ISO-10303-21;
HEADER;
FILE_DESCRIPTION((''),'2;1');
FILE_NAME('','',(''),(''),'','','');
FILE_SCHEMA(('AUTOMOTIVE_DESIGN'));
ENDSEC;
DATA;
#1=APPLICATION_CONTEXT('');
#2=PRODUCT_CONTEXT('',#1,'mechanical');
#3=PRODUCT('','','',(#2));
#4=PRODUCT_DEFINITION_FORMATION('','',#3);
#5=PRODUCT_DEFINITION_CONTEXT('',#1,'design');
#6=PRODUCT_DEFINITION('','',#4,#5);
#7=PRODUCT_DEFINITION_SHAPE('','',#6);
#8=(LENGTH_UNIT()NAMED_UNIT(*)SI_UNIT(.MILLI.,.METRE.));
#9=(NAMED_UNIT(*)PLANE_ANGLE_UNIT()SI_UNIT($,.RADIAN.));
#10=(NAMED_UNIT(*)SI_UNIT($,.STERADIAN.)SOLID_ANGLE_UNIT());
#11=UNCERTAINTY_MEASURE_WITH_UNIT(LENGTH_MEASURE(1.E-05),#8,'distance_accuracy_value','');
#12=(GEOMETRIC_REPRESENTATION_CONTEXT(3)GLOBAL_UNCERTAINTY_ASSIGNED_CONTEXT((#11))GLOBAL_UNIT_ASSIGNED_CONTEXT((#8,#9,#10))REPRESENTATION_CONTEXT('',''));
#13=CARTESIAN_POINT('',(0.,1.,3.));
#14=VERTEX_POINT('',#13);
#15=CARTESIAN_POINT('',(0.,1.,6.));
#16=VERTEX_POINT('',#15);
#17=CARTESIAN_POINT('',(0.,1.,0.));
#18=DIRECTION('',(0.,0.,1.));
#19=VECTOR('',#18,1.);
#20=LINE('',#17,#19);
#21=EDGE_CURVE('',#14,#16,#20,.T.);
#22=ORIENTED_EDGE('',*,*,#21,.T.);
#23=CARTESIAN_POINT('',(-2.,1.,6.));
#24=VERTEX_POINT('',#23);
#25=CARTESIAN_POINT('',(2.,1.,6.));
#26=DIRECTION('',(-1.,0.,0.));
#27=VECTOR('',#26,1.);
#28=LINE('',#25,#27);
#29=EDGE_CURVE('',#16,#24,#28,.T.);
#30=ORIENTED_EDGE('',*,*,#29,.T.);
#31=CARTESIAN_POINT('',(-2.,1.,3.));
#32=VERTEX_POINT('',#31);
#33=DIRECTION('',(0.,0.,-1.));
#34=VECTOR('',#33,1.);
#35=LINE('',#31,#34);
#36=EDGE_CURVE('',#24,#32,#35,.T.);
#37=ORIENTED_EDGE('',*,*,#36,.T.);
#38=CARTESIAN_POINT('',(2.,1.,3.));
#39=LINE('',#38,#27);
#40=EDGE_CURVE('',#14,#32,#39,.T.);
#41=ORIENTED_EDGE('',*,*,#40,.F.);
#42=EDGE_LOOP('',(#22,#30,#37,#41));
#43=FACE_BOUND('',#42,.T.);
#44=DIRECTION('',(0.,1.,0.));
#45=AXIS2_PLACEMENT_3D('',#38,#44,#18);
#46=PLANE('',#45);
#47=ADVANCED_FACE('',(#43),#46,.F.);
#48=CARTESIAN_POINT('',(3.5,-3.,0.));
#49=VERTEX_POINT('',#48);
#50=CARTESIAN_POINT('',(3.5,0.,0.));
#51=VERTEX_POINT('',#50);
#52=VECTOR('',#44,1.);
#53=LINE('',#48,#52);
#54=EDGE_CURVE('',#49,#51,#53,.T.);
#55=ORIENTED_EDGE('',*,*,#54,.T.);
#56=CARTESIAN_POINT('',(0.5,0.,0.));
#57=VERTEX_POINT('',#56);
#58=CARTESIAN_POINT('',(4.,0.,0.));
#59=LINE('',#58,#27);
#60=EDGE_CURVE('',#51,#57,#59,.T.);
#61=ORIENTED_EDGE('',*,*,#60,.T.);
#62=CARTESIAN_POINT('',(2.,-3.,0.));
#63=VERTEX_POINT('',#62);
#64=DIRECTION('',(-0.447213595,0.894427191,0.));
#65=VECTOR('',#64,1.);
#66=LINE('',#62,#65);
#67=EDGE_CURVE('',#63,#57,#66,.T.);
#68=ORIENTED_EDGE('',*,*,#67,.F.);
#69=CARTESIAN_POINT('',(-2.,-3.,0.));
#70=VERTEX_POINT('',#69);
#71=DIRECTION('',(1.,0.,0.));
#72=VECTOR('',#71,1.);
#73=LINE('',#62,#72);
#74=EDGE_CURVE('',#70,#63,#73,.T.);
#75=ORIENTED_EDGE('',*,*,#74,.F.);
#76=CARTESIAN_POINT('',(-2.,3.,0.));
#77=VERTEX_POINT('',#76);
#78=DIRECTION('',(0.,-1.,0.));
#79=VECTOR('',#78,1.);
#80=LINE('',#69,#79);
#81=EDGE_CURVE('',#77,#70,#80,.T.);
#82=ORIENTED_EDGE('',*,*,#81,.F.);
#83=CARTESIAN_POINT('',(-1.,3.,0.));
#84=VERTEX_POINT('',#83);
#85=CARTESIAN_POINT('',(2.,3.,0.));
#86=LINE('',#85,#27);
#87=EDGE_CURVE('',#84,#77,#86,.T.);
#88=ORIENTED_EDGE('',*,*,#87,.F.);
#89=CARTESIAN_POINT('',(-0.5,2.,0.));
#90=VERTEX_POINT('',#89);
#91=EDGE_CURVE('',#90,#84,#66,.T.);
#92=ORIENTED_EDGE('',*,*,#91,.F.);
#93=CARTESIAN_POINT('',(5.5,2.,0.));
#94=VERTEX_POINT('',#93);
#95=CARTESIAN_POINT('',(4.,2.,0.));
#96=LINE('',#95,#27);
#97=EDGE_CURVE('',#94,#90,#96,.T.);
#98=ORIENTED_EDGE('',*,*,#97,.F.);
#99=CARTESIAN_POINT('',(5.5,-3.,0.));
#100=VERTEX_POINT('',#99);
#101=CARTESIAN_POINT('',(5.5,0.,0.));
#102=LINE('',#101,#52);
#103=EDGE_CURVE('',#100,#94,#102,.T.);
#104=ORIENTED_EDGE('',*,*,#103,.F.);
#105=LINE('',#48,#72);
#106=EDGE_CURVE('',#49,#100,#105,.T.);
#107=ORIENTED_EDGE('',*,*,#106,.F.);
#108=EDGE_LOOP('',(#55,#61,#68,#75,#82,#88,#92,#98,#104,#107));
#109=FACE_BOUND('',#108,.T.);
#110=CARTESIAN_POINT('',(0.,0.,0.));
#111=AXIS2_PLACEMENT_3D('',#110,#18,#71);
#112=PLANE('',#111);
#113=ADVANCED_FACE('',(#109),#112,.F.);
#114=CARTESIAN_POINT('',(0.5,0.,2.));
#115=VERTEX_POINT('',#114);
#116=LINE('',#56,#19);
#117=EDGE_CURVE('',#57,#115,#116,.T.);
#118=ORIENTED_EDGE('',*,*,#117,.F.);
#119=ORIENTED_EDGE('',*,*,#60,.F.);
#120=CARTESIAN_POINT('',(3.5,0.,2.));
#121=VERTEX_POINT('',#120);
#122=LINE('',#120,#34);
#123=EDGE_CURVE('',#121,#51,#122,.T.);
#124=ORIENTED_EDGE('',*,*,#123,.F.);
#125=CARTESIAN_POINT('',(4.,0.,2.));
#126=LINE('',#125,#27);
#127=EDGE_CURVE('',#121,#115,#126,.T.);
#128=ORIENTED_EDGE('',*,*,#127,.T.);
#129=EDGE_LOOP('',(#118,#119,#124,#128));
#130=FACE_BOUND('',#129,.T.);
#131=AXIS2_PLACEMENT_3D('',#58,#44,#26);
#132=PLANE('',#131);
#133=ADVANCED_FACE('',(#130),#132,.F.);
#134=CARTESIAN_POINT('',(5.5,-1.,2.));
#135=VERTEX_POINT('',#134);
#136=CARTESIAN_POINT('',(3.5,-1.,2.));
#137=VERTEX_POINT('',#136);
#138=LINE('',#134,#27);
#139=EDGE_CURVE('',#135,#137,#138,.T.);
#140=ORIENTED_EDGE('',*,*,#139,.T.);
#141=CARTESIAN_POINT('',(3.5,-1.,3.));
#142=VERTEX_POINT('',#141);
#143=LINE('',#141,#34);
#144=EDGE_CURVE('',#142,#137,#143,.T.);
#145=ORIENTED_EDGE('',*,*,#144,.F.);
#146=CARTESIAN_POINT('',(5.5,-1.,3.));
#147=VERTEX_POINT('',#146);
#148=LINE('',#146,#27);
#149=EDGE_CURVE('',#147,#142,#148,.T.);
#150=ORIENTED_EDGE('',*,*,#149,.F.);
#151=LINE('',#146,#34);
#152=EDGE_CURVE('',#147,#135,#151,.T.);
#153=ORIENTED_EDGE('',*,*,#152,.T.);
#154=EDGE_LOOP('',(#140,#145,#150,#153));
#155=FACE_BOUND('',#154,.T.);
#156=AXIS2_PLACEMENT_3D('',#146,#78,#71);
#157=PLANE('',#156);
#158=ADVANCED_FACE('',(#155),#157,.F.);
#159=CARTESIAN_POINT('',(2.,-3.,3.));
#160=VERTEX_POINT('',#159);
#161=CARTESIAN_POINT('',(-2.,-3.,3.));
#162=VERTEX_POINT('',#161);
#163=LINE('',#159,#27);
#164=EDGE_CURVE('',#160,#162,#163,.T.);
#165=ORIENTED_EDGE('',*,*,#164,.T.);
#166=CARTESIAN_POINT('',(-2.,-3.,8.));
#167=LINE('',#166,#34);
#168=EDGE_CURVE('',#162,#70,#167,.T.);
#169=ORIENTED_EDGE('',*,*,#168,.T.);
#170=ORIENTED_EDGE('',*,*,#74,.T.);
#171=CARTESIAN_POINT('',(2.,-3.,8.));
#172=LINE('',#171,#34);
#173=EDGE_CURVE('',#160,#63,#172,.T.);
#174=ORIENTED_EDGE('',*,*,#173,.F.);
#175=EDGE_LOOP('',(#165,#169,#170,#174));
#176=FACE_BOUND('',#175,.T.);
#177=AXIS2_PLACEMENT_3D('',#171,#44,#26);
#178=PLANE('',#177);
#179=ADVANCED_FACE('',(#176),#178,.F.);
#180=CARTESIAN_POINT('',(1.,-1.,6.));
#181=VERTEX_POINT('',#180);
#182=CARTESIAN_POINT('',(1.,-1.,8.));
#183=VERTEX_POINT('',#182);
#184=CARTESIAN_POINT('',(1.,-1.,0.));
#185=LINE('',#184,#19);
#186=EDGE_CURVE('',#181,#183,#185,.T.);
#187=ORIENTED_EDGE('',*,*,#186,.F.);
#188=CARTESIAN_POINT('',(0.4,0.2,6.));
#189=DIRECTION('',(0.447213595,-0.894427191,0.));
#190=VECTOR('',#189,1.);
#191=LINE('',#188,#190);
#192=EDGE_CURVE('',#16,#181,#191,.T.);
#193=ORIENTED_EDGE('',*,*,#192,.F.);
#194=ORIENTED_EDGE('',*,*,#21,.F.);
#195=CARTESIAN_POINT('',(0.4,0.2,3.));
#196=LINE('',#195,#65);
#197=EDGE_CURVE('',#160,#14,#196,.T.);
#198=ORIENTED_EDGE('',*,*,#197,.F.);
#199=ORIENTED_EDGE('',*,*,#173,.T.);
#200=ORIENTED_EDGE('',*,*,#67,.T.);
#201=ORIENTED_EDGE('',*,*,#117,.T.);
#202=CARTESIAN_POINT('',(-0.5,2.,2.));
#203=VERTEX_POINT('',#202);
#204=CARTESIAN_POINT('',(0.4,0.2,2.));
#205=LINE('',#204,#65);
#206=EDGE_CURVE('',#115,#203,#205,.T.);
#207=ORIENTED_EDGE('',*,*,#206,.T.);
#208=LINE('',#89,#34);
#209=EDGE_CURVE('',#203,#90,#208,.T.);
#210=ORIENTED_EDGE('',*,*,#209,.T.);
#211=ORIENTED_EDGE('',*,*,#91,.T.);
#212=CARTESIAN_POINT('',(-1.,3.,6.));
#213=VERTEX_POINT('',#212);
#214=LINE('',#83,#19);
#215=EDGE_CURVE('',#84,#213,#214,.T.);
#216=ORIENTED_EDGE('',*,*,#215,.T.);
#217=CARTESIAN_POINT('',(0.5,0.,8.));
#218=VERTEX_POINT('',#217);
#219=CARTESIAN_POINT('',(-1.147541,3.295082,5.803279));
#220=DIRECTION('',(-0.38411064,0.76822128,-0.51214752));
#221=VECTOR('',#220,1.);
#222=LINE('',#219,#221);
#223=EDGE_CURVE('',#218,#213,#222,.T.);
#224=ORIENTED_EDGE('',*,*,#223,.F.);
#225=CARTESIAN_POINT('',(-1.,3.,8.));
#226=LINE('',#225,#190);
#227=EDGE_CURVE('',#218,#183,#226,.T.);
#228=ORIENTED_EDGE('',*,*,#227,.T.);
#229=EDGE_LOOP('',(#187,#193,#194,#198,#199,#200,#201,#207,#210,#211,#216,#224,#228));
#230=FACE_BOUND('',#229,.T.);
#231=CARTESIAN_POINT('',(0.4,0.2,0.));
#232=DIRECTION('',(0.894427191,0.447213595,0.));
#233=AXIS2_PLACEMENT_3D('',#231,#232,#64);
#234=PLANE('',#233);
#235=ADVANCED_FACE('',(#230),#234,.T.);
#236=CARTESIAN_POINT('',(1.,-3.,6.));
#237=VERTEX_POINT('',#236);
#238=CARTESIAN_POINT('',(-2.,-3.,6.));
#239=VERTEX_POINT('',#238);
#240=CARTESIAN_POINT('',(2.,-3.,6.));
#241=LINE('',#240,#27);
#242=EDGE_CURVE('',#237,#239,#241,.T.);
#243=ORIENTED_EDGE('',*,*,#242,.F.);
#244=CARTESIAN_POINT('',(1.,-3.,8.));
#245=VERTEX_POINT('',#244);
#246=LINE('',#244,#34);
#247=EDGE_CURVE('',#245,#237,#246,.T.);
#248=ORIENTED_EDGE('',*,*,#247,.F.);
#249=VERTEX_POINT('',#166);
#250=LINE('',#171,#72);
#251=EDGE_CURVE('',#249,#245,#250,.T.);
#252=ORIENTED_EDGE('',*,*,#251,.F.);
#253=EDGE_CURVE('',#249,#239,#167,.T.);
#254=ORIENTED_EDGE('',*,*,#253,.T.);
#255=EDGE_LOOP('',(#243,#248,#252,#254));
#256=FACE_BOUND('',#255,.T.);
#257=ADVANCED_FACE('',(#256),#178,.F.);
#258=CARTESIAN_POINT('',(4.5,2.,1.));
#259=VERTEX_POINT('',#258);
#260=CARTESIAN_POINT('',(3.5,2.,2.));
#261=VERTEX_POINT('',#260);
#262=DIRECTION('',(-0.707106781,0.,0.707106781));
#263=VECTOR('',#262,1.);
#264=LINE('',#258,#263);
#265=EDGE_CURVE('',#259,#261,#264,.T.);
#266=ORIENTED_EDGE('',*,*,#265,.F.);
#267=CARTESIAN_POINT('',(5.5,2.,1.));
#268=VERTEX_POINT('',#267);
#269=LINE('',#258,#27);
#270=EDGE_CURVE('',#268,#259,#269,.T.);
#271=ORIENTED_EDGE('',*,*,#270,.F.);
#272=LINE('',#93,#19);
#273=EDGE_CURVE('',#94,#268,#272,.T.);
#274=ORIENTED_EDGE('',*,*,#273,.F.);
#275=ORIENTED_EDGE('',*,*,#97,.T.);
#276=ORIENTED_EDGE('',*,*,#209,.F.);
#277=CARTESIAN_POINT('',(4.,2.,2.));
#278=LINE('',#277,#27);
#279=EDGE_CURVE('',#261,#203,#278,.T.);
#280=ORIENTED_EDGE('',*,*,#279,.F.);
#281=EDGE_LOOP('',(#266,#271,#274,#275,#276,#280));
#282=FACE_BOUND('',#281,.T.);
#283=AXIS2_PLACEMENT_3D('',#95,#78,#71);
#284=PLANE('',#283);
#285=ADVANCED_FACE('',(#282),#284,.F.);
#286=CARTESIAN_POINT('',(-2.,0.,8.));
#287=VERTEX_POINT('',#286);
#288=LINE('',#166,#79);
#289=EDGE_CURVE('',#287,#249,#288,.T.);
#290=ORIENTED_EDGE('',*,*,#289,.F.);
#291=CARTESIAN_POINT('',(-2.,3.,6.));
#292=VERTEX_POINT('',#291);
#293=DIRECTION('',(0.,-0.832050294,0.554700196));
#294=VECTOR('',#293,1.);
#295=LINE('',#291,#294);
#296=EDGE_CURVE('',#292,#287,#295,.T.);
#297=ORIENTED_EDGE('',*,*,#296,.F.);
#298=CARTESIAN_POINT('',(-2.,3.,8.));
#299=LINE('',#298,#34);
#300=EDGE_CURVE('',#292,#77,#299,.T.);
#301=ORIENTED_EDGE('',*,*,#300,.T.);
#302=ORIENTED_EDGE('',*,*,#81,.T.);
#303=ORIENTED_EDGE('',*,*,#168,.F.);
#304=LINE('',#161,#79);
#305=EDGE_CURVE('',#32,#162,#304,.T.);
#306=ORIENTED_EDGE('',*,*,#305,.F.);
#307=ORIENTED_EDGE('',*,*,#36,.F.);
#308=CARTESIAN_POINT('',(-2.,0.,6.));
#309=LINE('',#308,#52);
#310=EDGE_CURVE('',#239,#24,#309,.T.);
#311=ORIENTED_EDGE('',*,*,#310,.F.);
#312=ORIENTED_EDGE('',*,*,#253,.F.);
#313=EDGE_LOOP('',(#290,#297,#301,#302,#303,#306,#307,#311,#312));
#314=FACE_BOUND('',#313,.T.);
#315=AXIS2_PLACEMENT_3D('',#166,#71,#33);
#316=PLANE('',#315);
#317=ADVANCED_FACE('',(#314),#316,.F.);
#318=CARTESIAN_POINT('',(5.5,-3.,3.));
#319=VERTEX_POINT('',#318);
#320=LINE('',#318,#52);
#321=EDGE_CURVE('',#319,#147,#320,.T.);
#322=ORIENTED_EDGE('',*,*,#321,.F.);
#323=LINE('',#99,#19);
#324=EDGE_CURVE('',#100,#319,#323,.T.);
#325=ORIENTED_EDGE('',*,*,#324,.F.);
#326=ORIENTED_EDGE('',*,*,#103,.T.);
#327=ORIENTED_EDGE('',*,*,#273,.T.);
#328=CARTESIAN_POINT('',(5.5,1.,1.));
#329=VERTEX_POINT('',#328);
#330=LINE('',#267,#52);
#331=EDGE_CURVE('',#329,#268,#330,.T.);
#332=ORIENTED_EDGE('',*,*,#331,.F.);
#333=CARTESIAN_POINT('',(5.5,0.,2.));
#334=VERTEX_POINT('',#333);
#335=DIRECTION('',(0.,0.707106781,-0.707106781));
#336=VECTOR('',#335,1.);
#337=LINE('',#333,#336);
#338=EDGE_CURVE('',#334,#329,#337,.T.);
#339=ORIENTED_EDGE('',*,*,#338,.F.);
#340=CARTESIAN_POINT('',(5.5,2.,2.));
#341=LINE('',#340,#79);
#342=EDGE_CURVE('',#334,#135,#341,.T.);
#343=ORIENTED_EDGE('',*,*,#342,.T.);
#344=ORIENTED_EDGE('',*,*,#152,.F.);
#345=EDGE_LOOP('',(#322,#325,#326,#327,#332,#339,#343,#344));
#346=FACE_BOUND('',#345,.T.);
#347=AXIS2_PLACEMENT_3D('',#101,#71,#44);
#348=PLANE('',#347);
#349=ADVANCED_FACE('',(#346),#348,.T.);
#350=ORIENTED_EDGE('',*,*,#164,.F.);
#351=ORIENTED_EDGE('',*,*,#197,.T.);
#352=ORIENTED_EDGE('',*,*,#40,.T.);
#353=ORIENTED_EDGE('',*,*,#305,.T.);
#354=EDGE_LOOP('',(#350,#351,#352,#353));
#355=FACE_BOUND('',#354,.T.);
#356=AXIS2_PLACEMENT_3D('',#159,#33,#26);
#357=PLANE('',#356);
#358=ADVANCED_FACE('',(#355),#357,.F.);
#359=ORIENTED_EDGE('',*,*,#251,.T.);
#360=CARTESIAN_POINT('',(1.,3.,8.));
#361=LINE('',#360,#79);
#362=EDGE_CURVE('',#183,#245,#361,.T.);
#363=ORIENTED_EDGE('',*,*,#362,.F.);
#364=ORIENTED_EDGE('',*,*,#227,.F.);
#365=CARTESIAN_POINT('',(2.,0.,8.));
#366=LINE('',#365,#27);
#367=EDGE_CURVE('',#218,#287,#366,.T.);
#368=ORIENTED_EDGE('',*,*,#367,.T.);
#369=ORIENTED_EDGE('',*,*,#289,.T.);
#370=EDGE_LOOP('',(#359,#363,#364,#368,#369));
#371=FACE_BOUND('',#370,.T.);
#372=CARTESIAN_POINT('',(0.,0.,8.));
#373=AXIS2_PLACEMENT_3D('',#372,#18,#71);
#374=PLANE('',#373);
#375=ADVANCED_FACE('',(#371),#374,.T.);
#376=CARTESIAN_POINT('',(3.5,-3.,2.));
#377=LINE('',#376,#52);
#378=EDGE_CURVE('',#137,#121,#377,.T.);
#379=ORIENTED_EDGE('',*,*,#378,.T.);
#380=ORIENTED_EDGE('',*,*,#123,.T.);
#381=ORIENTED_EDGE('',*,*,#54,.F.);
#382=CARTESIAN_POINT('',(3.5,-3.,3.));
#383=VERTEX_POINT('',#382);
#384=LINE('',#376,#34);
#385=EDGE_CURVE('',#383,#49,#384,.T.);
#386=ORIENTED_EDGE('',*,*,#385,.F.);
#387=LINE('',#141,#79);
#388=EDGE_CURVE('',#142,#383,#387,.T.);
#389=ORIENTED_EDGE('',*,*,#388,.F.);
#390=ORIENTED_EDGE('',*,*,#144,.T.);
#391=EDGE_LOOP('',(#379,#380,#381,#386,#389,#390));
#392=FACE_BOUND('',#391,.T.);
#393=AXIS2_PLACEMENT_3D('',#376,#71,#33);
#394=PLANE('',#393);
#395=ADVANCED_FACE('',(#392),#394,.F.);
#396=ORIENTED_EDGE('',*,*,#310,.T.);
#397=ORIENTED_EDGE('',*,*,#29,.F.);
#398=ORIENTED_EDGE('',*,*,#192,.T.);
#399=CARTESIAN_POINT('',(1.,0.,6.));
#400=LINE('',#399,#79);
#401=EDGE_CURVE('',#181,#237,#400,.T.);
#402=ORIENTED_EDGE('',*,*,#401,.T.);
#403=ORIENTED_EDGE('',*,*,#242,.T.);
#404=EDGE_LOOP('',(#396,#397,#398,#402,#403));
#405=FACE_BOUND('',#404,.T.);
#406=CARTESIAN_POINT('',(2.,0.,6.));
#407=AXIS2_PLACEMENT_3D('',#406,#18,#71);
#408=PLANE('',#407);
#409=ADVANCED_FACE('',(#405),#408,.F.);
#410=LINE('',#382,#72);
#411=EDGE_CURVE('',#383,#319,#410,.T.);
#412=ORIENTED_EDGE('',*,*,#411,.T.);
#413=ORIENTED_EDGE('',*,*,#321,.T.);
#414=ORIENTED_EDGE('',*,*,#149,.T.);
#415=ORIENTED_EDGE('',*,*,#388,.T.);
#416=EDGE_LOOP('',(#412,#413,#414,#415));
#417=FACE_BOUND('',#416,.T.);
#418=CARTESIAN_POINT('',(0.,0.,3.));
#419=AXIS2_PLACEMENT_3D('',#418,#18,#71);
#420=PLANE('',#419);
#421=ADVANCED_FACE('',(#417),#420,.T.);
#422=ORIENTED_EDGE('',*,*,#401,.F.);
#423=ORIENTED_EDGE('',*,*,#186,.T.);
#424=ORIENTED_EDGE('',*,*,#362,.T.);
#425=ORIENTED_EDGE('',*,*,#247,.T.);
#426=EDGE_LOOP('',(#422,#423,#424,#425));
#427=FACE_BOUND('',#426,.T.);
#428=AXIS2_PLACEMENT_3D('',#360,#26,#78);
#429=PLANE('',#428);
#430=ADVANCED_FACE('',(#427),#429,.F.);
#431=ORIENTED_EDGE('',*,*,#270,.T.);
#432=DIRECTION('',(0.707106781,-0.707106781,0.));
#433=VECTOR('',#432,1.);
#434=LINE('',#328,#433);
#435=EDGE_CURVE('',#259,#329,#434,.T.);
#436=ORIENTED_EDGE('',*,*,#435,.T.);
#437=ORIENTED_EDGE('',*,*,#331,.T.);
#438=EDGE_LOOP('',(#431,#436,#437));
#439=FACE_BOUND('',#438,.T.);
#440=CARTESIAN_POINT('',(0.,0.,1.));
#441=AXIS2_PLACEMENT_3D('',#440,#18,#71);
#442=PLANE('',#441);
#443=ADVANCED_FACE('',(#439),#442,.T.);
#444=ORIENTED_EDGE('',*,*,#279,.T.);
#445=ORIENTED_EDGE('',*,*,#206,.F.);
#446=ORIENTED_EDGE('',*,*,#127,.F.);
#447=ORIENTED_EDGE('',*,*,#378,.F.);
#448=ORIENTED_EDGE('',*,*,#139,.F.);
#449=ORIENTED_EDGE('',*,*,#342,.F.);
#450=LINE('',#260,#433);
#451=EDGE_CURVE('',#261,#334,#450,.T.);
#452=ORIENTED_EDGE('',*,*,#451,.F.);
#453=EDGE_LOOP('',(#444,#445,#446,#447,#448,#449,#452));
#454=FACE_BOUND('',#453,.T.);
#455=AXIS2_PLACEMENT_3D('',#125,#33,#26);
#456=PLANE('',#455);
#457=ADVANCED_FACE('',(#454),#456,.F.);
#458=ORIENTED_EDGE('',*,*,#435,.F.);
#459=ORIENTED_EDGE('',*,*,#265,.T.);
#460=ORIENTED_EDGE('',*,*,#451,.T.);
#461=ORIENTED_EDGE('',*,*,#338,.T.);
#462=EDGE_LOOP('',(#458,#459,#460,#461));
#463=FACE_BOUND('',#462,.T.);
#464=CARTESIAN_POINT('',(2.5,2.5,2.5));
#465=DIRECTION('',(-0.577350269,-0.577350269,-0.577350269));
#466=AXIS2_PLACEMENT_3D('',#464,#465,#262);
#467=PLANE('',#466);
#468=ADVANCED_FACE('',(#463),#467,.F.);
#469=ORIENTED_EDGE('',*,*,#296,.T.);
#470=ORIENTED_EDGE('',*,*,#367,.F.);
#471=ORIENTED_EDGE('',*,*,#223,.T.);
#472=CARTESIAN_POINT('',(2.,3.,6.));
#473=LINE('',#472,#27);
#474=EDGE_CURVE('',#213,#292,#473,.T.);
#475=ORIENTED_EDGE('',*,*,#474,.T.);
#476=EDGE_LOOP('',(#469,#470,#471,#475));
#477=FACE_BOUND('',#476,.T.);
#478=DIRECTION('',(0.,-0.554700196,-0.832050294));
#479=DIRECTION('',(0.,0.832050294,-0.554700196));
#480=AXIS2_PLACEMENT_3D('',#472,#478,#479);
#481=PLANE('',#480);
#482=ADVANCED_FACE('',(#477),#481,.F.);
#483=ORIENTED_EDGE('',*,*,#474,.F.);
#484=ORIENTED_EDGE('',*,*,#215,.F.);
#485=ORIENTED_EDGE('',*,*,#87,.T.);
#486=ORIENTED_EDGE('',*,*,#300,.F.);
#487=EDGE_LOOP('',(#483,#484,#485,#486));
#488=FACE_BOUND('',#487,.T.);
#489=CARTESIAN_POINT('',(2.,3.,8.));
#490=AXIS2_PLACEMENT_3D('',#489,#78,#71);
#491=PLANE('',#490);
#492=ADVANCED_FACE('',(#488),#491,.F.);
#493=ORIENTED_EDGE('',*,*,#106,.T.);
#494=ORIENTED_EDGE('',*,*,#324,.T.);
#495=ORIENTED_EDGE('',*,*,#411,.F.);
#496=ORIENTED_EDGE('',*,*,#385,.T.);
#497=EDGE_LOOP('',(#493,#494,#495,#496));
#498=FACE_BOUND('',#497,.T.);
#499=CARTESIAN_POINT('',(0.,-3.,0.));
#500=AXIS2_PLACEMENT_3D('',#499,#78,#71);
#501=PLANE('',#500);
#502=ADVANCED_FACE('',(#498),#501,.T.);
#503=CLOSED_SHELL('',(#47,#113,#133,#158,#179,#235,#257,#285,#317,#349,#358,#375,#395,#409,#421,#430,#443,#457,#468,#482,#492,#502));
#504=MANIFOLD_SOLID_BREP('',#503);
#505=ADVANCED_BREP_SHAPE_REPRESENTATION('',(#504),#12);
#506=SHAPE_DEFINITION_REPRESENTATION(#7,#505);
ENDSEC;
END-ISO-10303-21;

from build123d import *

# Parameters (mm, degrees)
SKETCH1_W           = 4
SKETCH1_H           = 6
BOSS_EXTRUDE1_DEPTH = 8
SKETCH6_W           = 8
SKETCH6_H           = 6.708203932
CUT_EXTRUDE4_DEPTH  = 8
SKETCH7_W           = 3
SKETCH7_H           = 3
CUT_EXTRUDE5_DEPTH  = 10.433981132
SKETCH8_W           = 1
SKETCH8_H           = 2
CUT_EXTRUDE6_DEPTH  = 11.198039027
SKETCH9_W           = 3
SKETCH9_H           = 1
CUT_EXTRUDE7_DEPTH  = 10.433981132
CUT_EXTRUDE8_DEPTH  = 10.433981132
SKETCH12_W          = 2
SKETCH12_H          = 2
BOSS_EXTRUDE2_DEPTH = 3
SKETCH13_W          = 2
SKETCH13_H          = 2
BOSS_EXTRUDE3_DEPTH = 1.5
SKETCH14_W          = 2
SKETCH14_H          = 2
BOSS_EXTRUDE4_DEPTH = 3
SKETCH15_W          = 2
SKETCH15_H          = 2
BOSS_EXTRUDE5_DEPTH = 1
CUT_EXTRUDE9_DEPTH  = 1
CUT_EXTRUDE10_DEPTH = 1


with BuildPart() as part:
    # Sketch1 → Boss-Extrude1 (new body)
    with BuildSketch(Plane.XY):
        Rectangle(SKETCH1_W, SKETCH1_H)
    extrude(amount=BOSS_EXTRUDE1_DEPTH)

    # Sketch6 → Cut-Extrude4 (cut)
    with BuildSketch(Plane(origin=(0.4, 0.2, 0), x_dir=(0, 0, -1), z_dir=(0.894427190999916, 0.4472135954999579, 0))):
        with Locations((-4, -0.223606798)):
            Rectangle(SKETCH6_W, SKETCH6_H)
    extrude(amount=CUT_EXTRUDE4_DEPTH, mode=Mode.SUBTRACT)

    # Sketch7 → Cut-Extrude5 (cut, through all)
    with BuildSketch(Plane.ZY.offset(2)):
        with Locations((4.5, -1.5)):
            Rectangle(SKETCH7_W, SKETCH7_H)
    extrude(amount=-CUT_EXTRUDE5_DEPTH, mode=Mode.SUBTRACT)

    # Sketch8 → Cut-Extrude6 (cut, through all)
    with BuildSketch(Plane.XZ.offset(3)):
        with Locations((1.5, 7)):
            Rectangle(SKETCH8_W, SKETCH8_H)
    extrude(amount=-CUT_EXTRUDE6_DEPTH, mode=Mode.SUBTRACT)

    # Sketch9 → Cut-Extrude7 (cut, through all)
    with BuildSketch(Plane.ZY.offset(2)):
        with Locations((4.5, 0.5)):
            Rectangle(SKETCH9_W, SKETCH9_H)
    extrude(amount=-CUT_EXTRUDE7_DEPTH, mode=Mode.SUBTRACT)

    # Sketch10 → Cut-Extrude8 (cut, through all)
    with BuildSketch(Plane.ZY.offset(2)):
        Polygon((6, 3), (8, 0), (8, 3), align=None)
    extrude(amount=-CUT_EXTRUDE8_DEPTH, mode=Mode.SUBTRACT)

    # Sketch12 → Boss-Extrude2 (add, symmetric)
    with BuildSketch(Plane(origin=(1, 0, 0), x_dir=(0, 0, -1), z_dir=(1, 0, 0))):
        with Locations((-1, 1)):
            Rectangle(SKETCH12_W, SKETCH12_H)
    extrude(amount=BOSS_EXTRUDE2_DEPTH, both=True)

    # Sketch13 → Boss-Extrude3 (add)
    with BuildSketch(Plane(origin=(4, 0, 0), x_dir=(0, 0, -1), z_dir=(1, 0, 0))):
        with Locations((-1, 1)):
            Rectangle(SKETCH13_W, SKETCH13_H)
    extrude(amount=BOSS_EXTRUDE3_DEPTH)

    # Sketch14 → Boss-Extrude4 (add)
    with BuildSketch(Plane.XZ):
        with Locations((4.5, 1)):
            Rectangle(SKETCH14_W, SKETCH14_H)
    extrude(amount=BOSS_EXTRUDE4_DEPTH)

    # Sketch15 → Boss-Extrude5 (add)
    with BuildSketch(Plane.XY.offset(2)):
        with Locations((4.5, -2)):
            Rectangle(SKETCH15_W, SKETCH15_H)
    extrude(amount=BOSS_EXTRUDE5_DEPTH)

    # Sketch18 → Cut-Extrude9 (cut)
    with BuildSketch(Plane.XY.offset(2)):
        Polygon((5.5, 1), (4.5, 2), (5.5, 2), align=None)
    extrude(amount=-CUT_EXTRUDE9_DEPTH, mode=Mode.SUBTRACT)

    # 3DSketch1 → Cut-Extrude10 (cut, along a direction that is not the sketch's normal)
    with BuildSketch(Plane(origin=(5.5, 0, 2), x_dir=(-0.7071067811865472, 0.707106781186548, 0), z_dir=(-0.577350269189626, -0.5773502691896253, -0.5773502691896261))):
        Polygon((0, 0), (0.707106781, 1.224744871), (2.121320344, 1.224744871), (2.828427125, 0), align=None)
    extrude(amount=-CUT_EXTRUDE10_DEPTH, dir=(-0.7071067811865478, -0.7071067811865472, 0), mode=Mode.SUBTRACT)


solid = part.part
